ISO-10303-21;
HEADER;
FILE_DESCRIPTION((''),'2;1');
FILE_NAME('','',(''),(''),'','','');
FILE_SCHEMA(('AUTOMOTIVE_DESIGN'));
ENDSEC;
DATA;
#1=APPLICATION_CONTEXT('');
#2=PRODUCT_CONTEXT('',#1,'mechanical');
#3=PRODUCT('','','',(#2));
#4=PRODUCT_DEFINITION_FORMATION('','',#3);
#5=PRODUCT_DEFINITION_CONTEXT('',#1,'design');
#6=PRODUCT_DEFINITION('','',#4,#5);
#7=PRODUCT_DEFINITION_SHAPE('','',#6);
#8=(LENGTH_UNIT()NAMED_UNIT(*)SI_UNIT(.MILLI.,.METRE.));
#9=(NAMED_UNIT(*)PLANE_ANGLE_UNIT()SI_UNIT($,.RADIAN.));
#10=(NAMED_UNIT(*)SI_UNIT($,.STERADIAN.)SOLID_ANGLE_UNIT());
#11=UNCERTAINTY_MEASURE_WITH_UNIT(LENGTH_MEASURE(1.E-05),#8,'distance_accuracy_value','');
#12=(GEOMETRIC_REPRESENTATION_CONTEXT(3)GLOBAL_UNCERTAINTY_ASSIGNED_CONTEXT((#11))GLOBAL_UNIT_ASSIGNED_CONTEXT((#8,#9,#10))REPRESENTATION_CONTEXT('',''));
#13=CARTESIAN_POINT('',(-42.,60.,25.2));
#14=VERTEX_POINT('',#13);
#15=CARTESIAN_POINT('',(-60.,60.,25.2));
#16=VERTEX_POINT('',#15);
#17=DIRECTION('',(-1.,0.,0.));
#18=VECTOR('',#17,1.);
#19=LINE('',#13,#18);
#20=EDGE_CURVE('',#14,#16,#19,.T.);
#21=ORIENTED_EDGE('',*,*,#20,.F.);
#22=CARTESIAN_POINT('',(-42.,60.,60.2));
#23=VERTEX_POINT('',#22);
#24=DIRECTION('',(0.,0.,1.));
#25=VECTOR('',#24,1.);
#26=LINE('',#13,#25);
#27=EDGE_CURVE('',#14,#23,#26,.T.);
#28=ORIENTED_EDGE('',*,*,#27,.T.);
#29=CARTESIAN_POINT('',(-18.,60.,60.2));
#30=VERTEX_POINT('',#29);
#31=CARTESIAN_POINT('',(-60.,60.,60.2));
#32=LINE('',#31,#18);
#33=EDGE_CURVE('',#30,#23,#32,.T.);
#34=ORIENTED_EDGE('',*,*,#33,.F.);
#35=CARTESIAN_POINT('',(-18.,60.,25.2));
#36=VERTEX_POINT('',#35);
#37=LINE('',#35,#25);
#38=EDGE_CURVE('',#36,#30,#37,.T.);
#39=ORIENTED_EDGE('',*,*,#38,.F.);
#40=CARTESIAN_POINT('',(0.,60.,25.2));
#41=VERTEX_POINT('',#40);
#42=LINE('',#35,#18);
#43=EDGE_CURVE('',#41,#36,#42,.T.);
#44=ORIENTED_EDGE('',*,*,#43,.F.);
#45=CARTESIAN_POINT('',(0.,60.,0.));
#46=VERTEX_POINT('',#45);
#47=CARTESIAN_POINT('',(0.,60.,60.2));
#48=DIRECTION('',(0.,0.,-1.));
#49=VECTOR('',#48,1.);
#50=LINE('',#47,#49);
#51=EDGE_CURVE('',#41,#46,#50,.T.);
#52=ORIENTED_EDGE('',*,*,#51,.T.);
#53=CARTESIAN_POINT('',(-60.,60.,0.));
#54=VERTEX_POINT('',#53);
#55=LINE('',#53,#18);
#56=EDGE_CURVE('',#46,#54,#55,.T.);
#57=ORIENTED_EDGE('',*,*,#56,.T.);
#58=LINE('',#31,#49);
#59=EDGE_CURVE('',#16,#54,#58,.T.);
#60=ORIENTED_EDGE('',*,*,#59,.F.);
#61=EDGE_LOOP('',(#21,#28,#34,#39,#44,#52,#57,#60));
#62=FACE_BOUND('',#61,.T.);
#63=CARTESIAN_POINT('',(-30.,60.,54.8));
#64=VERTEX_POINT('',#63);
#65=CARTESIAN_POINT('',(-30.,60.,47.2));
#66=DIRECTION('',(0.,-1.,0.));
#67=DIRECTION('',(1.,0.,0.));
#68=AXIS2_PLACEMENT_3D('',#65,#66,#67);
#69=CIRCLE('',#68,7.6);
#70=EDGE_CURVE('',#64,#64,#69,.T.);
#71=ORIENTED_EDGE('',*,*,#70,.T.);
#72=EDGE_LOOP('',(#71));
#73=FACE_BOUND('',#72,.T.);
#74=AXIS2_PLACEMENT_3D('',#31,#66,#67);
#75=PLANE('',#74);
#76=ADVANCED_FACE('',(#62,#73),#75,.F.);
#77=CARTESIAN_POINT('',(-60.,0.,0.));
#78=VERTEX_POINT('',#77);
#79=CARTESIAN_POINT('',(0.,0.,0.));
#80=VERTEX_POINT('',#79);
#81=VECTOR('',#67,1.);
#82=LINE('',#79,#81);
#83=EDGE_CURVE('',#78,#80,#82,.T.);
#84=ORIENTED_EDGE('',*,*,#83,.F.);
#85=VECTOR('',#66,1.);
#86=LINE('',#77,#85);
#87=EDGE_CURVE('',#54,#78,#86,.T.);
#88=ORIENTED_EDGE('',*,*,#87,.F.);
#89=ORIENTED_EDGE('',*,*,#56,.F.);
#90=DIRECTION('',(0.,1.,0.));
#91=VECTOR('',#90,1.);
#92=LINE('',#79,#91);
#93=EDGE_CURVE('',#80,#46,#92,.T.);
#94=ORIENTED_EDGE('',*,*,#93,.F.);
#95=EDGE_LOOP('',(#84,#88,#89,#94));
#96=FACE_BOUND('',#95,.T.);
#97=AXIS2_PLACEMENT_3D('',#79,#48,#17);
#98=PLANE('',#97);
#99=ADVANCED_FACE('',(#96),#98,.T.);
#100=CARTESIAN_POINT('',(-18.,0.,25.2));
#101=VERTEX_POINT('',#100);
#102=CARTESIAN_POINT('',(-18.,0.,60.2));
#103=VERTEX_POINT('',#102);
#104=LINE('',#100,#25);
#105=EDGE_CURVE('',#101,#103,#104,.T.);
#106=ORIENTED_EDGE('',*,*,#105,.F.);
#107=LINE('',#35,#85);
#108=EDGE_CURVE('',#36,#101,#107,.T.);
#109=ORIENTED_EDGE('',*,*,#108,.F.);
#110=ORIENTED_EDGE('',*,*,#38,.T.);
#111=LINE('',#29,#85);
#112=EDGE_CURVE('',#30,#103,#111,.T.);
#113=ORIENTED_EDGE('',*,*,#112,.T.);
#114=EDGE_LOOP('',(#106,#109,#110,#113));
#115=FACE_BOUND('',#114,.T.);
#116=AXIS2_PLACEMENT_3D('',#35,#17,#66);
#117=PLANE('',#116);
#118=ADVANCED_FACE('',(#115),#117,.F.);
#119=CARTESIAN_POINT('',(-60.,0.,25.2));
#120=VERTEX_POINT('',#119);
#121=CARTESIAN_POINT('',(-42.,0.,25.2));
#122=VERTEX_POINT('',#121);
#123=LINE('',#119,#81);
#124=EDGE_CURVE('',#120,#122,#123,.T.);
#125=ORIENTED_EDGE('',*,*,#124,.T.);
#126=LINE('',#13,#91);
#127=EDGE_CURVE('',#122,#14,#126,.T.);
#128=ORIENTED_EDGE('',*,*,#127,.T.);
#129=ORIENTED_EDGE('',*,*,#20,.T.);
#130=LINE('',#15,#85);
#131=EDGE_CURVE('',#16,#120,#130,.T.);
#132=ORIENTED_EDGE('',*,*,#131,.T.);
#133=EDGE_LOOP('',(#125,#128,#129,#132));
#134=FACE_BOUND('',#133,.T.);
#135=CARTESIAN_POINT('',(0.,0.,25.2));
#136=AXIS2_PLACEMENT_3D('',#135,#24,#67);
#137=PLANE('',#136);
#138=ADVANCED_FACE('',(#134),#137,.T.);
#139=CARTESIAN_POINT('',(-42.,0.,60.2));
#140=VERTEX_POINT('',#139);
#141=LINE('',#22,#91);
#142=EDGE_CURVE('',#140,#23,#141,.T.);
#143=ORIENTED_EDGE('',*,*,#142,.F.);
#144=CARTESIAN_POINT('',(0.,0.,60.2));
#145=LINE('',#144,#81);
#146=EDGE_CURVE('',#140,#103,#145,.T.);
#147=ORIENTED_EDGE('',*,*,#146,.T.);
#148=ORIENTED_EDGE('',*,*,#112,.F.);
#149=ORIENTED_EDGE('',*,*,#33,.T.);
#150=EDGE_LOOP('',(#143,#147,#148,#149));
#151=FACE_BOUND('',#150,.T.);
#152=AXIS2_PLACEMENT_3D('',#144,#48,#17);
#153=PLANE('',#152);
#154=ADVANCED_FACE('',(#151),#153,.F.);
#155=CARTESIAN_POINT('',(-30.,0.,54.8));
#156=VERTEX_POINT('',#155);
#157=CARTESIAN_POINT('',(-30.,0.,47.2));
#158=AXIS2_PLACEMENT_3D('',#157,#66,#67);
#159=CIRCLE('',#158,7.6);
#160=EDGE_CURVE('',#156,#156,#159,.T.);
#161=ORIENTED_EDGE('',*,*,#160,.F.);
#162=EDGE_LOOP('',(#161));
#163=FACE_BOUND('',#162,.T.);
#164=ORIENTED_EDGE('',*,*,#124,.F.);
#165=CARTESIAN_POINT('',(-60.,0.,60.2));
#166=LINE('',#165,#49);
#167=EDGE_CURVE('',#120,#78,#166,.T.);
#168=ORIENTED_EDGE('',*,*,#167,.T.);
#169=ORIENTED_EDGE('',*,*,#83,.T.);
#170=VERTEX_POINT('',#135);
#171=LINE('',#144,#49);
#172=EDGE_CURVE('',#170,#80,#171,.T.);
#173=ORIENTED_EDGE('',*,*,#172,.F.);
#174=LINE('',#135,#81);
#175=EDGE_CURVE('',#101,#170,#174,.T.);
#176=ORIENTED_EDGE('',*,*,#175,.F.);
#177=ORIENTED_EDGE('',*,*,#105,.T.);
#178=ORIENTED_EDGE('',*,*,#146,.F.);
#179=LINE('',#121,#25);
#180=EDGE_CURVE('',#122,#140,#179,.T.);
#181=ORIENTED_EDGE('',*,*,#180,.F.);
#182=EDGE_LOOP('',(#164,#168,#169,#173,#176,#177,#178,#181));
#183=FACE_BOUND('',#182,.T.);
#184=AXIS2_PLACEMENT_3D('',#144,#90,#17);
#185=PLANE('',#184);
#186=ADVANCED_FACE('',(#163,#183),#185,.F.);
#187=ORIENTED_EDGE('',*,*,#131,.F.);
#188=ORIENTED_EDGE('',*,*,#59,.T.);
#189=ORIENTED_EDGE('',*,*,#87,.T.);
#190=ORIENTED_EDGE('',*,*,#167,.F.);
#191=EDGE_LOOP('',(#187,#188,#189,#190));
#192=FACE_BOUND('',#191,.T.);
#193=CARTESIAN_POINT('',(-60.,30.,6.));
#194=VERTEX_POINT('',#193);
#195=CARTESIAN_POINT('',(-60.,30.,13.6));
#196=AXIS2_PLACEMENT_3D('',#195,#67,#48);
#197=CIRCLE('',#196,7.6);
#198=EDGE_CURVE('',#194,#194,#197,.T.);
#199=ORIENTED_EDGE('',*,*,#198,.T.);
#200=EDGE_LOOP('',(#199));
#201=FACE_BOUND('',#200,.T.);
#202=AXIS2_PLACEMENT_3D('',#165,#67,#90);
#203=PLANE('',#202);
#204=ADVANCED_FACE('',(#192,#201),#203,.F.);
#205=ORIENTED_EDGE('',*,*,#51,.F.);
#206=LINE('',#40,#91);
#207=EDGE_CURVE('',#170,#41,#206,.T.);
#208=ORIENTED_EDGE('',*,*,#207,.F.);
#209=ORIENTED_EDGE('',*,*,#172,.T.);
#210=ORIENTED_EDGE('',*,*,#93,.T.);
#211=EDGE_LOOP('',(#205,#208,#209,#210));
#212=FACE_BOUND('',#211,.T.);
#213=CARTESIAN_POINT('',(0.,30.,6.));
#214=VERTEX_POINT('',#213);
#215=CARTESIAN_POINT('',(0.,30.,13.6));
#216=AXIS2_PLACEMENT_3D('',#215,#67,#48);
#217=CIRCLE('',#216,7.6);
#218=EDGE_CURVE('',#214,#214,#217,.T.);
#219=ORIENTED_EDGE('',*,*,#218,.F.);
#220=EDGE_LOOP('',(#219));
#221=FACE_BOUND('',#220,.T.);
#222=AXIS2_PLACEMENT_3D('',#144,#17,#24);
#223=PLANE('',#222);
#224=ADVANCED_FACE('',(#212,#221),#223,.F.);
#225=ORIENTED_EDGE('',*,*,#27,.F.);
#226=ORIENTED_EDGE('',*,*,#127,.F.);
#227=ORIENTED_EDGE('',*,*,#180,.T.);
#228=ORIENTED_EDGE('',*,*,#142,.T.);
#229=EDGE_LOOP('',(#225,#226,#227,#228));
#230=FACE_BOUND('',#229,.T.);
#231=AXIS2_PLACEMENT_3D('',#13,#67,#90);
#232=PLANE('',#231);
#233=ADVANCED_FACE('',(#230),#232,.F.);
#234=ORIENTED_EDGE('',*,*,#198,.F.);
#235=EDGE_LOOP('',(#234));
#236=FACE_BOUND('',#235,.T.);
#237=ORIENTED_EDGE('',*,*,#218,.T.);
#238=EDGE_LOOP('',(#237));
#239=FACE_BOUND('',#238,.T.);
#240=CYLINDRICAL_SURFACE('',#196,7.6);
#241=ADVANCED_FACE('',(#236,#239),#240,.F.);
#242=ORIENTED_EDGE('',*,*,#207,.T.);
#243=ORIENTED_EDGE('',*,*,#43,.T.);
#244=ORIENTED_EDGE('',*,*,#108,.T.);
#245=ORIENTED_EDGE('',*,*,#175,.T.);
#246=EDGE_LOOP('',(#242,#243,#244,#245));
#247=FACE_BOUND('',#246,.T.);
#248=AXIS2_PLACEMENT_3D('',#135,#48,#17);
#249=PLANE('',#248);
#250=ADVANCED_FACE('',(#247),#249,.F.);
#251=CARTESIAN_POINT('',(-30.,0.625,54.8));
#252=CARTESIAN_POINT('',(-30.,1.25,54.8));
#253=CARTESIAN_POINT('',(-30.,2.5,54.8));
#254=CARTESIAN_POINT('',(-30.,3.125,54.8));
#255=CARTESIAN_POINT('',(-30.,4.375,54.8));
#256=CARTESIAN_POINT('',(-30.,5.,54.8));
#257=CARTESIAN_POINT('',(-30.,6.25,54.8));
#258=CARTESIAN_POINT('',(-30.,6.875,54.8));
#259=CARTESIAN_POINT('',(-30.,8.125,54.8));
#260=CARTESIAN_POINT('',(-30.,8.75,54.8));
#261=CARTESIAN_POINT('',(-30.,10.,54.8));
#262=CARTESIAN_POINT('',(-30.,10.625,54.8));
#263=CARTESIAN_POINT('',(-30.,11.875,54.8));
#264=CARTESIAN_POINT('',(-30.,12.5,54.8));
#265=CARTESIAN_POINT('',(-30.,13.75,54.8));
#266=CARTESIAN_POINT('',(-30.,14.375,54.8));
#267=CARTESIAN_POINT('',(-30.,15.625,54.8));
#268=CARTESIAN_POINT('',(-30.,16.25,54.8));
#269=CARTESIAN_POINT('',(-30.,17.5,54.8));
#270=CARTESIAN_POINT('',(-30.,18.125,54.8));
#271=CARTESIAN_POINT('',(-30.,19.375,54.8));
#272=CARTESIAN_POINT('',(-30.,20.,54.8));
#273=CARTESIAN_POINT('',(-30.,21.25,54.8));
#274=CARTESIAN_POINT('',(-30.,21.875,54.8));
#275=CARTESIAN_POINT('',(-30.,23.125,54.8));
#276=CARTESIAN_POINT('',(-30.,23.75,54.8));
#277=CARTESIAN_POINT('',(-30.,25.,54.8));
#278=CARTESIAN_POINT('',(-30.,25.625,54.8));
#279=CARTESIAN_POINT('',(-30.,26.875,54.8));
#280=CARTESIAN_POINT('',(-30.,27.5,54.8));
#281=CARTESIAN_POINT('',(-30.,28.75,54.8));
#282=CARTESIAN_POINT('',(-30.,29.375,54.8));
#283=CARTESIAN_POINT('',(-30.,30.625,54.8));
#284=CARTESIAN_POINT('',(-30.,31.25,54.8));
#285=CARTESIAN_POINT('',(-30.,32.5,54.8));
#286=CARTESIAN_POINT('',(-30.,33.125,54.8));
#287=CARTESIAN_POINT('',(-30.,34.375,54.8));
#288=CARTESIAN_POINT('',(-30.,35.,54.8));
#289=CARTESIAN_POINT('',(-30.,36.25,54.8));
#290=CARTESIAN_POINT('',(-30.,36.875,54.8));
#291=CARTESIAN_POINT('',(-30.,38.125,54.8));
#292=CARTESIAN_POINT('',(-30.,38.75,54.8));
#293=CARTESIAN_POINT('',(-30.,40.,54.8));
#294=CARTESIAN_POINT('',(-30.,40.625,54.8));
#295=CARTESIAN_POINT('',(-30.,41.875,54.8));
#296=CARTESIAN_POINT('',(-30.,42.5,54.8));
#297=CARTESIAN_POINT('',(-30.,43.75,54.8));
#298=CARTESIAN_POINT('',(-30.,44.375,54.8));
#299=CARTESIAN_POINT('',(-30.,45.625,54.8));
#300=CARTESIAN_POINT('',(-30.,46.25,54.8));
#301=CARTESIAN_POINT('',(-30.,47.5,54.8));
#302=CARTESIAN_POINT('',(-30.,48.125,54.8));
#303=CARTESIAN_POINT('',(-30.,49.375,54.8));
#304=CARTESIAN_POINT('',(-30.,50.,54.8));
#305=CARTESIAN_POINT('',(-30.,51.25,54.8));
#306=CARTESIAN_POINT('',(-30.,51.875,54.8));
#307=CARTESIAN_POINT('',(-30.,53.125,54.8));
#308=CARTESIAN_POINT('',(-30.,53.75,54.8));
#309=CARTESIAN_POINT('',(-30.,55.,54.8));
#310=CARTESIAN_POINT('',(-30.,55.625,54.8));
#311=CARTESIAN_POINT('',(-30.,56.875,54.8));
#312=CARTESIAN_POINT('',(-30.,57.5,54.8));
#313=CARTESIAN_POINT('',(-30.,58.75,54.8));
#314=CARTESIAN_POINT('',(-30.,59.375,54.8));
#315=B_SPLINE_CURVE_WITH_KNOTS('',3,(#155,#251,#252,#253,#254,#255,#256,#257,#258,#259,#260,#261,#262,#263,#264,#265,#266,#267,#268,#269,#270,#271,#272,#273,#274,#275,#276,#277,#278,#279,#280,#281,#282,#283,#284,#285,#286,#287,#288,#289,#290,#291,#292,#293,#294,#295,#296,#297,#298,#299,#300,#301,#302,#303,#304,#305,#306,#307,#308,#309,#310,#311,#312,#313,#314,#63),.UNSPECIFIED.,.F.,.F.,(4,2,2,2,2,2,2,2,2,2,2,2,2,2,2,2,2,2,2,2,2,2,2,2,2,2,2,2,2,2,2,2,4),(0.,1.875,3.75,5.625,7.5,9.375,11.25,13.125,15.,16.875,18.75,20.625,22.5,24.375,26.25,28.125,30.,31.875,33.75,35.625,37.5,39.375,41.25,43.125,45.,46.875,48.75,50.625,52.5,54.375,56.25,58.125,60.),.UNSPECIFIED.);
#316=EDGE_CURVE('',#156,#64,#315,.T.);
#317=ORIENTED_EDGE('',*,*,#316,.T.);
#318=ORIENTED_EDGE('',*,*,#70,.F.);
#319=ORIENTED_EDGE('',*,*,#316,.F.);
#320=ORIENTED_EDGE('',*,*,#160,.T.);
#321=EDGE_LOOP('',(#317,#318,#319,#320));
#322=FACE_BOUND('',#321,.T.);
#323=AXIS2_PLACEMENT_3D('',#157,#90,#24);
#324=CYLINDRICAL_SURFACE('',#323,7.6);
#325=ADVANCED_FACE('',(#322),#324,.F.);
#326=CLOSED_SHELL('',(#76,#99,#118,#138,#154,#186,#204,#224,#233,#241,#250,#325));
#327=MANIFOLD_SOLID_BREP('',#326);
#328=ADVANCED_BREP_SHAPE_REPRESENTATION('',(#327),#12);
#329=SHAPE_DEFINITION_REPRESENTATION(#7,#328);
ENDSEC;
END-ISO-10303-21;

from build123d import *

# Parameters (mm, degrees)
SCHIZZO1_W                   = 60
SCHIZZO1_H                   = 60
ESTRUSIONE_ESTRUSIONE1_DEPTH = 60.2
SCHIZZO2_R                   = 7.6
TAGLIO_ESTRUSIONE1_DEPTH     = 105.038646666
SCHIZZO3_R                   = 7.6
TAGLIO_ESTRUSIONE2_DEPTH     = 105.038646666
SCHIZZO4_W                   = 18
SCHIZZO4_H                   = 60
TAGLIO_ESTRUSIONE3_DEPTH     = 35


with BuildPart() as part:
    # Schizzo1 → Estrusione-Estrusione1 (new body)
    with BuildSketch(Plane.XY):
        with Locations((-30, 30)):
            Rectangle(SCHIZZO1_W, SCHIZZO1_H)
    extrude(amount=ESTRUSIONE_ESTRUSIONE1_DEPTH)

    # Schizzo2 → Taglio-Estrusione1 (cut, through all)
    with BuildSketch(Plane(origin=(0, 0, 0), x_dir=(0, 0, -1), z_dir=(1, 0, 0))):
        with Locations((-13.6, 30)):
            Circle(SCHIZZO2_R)
    extrude(amount=-TAGLIO_ESTRUSIONE1_DEPTH, mode=Mode.SUBTRACT)

    # Schizzo3 → Taglio-Estrusione2 (cut, through all)
    with BuildSketch(Plane(origin=(0, 60, 0), x_dir=(0, 0, -1), z_dir=(0, 1, 0))):
        with Locations(Location((-47.2, 30, 0), (0, 0, 180))):
            Circle(SCHIZZO3_R)
    extrude(amount=-TAGLIO_ESTRUSIONE2_DEPTH, mode=Mode.SUBTRACT)

    # Schizzo4 → Taglio-Estrusione3 (cut)
    with BuildSketch(Plane.XY.offset(60.2)):
        with Locations((-51, 30)):
            Rectangle(SCHIZZO4_W, SCHIZZO4_H)
        with Locations((-9, 30)):
            Rectangle(SCHIZZO4_W, SCHIZZO4_H)
    extrude(amount=-TAGLIO_ESTRUSIONE3_DEPTH, mode=Mode.SUBTRACT)


solid = part.part
